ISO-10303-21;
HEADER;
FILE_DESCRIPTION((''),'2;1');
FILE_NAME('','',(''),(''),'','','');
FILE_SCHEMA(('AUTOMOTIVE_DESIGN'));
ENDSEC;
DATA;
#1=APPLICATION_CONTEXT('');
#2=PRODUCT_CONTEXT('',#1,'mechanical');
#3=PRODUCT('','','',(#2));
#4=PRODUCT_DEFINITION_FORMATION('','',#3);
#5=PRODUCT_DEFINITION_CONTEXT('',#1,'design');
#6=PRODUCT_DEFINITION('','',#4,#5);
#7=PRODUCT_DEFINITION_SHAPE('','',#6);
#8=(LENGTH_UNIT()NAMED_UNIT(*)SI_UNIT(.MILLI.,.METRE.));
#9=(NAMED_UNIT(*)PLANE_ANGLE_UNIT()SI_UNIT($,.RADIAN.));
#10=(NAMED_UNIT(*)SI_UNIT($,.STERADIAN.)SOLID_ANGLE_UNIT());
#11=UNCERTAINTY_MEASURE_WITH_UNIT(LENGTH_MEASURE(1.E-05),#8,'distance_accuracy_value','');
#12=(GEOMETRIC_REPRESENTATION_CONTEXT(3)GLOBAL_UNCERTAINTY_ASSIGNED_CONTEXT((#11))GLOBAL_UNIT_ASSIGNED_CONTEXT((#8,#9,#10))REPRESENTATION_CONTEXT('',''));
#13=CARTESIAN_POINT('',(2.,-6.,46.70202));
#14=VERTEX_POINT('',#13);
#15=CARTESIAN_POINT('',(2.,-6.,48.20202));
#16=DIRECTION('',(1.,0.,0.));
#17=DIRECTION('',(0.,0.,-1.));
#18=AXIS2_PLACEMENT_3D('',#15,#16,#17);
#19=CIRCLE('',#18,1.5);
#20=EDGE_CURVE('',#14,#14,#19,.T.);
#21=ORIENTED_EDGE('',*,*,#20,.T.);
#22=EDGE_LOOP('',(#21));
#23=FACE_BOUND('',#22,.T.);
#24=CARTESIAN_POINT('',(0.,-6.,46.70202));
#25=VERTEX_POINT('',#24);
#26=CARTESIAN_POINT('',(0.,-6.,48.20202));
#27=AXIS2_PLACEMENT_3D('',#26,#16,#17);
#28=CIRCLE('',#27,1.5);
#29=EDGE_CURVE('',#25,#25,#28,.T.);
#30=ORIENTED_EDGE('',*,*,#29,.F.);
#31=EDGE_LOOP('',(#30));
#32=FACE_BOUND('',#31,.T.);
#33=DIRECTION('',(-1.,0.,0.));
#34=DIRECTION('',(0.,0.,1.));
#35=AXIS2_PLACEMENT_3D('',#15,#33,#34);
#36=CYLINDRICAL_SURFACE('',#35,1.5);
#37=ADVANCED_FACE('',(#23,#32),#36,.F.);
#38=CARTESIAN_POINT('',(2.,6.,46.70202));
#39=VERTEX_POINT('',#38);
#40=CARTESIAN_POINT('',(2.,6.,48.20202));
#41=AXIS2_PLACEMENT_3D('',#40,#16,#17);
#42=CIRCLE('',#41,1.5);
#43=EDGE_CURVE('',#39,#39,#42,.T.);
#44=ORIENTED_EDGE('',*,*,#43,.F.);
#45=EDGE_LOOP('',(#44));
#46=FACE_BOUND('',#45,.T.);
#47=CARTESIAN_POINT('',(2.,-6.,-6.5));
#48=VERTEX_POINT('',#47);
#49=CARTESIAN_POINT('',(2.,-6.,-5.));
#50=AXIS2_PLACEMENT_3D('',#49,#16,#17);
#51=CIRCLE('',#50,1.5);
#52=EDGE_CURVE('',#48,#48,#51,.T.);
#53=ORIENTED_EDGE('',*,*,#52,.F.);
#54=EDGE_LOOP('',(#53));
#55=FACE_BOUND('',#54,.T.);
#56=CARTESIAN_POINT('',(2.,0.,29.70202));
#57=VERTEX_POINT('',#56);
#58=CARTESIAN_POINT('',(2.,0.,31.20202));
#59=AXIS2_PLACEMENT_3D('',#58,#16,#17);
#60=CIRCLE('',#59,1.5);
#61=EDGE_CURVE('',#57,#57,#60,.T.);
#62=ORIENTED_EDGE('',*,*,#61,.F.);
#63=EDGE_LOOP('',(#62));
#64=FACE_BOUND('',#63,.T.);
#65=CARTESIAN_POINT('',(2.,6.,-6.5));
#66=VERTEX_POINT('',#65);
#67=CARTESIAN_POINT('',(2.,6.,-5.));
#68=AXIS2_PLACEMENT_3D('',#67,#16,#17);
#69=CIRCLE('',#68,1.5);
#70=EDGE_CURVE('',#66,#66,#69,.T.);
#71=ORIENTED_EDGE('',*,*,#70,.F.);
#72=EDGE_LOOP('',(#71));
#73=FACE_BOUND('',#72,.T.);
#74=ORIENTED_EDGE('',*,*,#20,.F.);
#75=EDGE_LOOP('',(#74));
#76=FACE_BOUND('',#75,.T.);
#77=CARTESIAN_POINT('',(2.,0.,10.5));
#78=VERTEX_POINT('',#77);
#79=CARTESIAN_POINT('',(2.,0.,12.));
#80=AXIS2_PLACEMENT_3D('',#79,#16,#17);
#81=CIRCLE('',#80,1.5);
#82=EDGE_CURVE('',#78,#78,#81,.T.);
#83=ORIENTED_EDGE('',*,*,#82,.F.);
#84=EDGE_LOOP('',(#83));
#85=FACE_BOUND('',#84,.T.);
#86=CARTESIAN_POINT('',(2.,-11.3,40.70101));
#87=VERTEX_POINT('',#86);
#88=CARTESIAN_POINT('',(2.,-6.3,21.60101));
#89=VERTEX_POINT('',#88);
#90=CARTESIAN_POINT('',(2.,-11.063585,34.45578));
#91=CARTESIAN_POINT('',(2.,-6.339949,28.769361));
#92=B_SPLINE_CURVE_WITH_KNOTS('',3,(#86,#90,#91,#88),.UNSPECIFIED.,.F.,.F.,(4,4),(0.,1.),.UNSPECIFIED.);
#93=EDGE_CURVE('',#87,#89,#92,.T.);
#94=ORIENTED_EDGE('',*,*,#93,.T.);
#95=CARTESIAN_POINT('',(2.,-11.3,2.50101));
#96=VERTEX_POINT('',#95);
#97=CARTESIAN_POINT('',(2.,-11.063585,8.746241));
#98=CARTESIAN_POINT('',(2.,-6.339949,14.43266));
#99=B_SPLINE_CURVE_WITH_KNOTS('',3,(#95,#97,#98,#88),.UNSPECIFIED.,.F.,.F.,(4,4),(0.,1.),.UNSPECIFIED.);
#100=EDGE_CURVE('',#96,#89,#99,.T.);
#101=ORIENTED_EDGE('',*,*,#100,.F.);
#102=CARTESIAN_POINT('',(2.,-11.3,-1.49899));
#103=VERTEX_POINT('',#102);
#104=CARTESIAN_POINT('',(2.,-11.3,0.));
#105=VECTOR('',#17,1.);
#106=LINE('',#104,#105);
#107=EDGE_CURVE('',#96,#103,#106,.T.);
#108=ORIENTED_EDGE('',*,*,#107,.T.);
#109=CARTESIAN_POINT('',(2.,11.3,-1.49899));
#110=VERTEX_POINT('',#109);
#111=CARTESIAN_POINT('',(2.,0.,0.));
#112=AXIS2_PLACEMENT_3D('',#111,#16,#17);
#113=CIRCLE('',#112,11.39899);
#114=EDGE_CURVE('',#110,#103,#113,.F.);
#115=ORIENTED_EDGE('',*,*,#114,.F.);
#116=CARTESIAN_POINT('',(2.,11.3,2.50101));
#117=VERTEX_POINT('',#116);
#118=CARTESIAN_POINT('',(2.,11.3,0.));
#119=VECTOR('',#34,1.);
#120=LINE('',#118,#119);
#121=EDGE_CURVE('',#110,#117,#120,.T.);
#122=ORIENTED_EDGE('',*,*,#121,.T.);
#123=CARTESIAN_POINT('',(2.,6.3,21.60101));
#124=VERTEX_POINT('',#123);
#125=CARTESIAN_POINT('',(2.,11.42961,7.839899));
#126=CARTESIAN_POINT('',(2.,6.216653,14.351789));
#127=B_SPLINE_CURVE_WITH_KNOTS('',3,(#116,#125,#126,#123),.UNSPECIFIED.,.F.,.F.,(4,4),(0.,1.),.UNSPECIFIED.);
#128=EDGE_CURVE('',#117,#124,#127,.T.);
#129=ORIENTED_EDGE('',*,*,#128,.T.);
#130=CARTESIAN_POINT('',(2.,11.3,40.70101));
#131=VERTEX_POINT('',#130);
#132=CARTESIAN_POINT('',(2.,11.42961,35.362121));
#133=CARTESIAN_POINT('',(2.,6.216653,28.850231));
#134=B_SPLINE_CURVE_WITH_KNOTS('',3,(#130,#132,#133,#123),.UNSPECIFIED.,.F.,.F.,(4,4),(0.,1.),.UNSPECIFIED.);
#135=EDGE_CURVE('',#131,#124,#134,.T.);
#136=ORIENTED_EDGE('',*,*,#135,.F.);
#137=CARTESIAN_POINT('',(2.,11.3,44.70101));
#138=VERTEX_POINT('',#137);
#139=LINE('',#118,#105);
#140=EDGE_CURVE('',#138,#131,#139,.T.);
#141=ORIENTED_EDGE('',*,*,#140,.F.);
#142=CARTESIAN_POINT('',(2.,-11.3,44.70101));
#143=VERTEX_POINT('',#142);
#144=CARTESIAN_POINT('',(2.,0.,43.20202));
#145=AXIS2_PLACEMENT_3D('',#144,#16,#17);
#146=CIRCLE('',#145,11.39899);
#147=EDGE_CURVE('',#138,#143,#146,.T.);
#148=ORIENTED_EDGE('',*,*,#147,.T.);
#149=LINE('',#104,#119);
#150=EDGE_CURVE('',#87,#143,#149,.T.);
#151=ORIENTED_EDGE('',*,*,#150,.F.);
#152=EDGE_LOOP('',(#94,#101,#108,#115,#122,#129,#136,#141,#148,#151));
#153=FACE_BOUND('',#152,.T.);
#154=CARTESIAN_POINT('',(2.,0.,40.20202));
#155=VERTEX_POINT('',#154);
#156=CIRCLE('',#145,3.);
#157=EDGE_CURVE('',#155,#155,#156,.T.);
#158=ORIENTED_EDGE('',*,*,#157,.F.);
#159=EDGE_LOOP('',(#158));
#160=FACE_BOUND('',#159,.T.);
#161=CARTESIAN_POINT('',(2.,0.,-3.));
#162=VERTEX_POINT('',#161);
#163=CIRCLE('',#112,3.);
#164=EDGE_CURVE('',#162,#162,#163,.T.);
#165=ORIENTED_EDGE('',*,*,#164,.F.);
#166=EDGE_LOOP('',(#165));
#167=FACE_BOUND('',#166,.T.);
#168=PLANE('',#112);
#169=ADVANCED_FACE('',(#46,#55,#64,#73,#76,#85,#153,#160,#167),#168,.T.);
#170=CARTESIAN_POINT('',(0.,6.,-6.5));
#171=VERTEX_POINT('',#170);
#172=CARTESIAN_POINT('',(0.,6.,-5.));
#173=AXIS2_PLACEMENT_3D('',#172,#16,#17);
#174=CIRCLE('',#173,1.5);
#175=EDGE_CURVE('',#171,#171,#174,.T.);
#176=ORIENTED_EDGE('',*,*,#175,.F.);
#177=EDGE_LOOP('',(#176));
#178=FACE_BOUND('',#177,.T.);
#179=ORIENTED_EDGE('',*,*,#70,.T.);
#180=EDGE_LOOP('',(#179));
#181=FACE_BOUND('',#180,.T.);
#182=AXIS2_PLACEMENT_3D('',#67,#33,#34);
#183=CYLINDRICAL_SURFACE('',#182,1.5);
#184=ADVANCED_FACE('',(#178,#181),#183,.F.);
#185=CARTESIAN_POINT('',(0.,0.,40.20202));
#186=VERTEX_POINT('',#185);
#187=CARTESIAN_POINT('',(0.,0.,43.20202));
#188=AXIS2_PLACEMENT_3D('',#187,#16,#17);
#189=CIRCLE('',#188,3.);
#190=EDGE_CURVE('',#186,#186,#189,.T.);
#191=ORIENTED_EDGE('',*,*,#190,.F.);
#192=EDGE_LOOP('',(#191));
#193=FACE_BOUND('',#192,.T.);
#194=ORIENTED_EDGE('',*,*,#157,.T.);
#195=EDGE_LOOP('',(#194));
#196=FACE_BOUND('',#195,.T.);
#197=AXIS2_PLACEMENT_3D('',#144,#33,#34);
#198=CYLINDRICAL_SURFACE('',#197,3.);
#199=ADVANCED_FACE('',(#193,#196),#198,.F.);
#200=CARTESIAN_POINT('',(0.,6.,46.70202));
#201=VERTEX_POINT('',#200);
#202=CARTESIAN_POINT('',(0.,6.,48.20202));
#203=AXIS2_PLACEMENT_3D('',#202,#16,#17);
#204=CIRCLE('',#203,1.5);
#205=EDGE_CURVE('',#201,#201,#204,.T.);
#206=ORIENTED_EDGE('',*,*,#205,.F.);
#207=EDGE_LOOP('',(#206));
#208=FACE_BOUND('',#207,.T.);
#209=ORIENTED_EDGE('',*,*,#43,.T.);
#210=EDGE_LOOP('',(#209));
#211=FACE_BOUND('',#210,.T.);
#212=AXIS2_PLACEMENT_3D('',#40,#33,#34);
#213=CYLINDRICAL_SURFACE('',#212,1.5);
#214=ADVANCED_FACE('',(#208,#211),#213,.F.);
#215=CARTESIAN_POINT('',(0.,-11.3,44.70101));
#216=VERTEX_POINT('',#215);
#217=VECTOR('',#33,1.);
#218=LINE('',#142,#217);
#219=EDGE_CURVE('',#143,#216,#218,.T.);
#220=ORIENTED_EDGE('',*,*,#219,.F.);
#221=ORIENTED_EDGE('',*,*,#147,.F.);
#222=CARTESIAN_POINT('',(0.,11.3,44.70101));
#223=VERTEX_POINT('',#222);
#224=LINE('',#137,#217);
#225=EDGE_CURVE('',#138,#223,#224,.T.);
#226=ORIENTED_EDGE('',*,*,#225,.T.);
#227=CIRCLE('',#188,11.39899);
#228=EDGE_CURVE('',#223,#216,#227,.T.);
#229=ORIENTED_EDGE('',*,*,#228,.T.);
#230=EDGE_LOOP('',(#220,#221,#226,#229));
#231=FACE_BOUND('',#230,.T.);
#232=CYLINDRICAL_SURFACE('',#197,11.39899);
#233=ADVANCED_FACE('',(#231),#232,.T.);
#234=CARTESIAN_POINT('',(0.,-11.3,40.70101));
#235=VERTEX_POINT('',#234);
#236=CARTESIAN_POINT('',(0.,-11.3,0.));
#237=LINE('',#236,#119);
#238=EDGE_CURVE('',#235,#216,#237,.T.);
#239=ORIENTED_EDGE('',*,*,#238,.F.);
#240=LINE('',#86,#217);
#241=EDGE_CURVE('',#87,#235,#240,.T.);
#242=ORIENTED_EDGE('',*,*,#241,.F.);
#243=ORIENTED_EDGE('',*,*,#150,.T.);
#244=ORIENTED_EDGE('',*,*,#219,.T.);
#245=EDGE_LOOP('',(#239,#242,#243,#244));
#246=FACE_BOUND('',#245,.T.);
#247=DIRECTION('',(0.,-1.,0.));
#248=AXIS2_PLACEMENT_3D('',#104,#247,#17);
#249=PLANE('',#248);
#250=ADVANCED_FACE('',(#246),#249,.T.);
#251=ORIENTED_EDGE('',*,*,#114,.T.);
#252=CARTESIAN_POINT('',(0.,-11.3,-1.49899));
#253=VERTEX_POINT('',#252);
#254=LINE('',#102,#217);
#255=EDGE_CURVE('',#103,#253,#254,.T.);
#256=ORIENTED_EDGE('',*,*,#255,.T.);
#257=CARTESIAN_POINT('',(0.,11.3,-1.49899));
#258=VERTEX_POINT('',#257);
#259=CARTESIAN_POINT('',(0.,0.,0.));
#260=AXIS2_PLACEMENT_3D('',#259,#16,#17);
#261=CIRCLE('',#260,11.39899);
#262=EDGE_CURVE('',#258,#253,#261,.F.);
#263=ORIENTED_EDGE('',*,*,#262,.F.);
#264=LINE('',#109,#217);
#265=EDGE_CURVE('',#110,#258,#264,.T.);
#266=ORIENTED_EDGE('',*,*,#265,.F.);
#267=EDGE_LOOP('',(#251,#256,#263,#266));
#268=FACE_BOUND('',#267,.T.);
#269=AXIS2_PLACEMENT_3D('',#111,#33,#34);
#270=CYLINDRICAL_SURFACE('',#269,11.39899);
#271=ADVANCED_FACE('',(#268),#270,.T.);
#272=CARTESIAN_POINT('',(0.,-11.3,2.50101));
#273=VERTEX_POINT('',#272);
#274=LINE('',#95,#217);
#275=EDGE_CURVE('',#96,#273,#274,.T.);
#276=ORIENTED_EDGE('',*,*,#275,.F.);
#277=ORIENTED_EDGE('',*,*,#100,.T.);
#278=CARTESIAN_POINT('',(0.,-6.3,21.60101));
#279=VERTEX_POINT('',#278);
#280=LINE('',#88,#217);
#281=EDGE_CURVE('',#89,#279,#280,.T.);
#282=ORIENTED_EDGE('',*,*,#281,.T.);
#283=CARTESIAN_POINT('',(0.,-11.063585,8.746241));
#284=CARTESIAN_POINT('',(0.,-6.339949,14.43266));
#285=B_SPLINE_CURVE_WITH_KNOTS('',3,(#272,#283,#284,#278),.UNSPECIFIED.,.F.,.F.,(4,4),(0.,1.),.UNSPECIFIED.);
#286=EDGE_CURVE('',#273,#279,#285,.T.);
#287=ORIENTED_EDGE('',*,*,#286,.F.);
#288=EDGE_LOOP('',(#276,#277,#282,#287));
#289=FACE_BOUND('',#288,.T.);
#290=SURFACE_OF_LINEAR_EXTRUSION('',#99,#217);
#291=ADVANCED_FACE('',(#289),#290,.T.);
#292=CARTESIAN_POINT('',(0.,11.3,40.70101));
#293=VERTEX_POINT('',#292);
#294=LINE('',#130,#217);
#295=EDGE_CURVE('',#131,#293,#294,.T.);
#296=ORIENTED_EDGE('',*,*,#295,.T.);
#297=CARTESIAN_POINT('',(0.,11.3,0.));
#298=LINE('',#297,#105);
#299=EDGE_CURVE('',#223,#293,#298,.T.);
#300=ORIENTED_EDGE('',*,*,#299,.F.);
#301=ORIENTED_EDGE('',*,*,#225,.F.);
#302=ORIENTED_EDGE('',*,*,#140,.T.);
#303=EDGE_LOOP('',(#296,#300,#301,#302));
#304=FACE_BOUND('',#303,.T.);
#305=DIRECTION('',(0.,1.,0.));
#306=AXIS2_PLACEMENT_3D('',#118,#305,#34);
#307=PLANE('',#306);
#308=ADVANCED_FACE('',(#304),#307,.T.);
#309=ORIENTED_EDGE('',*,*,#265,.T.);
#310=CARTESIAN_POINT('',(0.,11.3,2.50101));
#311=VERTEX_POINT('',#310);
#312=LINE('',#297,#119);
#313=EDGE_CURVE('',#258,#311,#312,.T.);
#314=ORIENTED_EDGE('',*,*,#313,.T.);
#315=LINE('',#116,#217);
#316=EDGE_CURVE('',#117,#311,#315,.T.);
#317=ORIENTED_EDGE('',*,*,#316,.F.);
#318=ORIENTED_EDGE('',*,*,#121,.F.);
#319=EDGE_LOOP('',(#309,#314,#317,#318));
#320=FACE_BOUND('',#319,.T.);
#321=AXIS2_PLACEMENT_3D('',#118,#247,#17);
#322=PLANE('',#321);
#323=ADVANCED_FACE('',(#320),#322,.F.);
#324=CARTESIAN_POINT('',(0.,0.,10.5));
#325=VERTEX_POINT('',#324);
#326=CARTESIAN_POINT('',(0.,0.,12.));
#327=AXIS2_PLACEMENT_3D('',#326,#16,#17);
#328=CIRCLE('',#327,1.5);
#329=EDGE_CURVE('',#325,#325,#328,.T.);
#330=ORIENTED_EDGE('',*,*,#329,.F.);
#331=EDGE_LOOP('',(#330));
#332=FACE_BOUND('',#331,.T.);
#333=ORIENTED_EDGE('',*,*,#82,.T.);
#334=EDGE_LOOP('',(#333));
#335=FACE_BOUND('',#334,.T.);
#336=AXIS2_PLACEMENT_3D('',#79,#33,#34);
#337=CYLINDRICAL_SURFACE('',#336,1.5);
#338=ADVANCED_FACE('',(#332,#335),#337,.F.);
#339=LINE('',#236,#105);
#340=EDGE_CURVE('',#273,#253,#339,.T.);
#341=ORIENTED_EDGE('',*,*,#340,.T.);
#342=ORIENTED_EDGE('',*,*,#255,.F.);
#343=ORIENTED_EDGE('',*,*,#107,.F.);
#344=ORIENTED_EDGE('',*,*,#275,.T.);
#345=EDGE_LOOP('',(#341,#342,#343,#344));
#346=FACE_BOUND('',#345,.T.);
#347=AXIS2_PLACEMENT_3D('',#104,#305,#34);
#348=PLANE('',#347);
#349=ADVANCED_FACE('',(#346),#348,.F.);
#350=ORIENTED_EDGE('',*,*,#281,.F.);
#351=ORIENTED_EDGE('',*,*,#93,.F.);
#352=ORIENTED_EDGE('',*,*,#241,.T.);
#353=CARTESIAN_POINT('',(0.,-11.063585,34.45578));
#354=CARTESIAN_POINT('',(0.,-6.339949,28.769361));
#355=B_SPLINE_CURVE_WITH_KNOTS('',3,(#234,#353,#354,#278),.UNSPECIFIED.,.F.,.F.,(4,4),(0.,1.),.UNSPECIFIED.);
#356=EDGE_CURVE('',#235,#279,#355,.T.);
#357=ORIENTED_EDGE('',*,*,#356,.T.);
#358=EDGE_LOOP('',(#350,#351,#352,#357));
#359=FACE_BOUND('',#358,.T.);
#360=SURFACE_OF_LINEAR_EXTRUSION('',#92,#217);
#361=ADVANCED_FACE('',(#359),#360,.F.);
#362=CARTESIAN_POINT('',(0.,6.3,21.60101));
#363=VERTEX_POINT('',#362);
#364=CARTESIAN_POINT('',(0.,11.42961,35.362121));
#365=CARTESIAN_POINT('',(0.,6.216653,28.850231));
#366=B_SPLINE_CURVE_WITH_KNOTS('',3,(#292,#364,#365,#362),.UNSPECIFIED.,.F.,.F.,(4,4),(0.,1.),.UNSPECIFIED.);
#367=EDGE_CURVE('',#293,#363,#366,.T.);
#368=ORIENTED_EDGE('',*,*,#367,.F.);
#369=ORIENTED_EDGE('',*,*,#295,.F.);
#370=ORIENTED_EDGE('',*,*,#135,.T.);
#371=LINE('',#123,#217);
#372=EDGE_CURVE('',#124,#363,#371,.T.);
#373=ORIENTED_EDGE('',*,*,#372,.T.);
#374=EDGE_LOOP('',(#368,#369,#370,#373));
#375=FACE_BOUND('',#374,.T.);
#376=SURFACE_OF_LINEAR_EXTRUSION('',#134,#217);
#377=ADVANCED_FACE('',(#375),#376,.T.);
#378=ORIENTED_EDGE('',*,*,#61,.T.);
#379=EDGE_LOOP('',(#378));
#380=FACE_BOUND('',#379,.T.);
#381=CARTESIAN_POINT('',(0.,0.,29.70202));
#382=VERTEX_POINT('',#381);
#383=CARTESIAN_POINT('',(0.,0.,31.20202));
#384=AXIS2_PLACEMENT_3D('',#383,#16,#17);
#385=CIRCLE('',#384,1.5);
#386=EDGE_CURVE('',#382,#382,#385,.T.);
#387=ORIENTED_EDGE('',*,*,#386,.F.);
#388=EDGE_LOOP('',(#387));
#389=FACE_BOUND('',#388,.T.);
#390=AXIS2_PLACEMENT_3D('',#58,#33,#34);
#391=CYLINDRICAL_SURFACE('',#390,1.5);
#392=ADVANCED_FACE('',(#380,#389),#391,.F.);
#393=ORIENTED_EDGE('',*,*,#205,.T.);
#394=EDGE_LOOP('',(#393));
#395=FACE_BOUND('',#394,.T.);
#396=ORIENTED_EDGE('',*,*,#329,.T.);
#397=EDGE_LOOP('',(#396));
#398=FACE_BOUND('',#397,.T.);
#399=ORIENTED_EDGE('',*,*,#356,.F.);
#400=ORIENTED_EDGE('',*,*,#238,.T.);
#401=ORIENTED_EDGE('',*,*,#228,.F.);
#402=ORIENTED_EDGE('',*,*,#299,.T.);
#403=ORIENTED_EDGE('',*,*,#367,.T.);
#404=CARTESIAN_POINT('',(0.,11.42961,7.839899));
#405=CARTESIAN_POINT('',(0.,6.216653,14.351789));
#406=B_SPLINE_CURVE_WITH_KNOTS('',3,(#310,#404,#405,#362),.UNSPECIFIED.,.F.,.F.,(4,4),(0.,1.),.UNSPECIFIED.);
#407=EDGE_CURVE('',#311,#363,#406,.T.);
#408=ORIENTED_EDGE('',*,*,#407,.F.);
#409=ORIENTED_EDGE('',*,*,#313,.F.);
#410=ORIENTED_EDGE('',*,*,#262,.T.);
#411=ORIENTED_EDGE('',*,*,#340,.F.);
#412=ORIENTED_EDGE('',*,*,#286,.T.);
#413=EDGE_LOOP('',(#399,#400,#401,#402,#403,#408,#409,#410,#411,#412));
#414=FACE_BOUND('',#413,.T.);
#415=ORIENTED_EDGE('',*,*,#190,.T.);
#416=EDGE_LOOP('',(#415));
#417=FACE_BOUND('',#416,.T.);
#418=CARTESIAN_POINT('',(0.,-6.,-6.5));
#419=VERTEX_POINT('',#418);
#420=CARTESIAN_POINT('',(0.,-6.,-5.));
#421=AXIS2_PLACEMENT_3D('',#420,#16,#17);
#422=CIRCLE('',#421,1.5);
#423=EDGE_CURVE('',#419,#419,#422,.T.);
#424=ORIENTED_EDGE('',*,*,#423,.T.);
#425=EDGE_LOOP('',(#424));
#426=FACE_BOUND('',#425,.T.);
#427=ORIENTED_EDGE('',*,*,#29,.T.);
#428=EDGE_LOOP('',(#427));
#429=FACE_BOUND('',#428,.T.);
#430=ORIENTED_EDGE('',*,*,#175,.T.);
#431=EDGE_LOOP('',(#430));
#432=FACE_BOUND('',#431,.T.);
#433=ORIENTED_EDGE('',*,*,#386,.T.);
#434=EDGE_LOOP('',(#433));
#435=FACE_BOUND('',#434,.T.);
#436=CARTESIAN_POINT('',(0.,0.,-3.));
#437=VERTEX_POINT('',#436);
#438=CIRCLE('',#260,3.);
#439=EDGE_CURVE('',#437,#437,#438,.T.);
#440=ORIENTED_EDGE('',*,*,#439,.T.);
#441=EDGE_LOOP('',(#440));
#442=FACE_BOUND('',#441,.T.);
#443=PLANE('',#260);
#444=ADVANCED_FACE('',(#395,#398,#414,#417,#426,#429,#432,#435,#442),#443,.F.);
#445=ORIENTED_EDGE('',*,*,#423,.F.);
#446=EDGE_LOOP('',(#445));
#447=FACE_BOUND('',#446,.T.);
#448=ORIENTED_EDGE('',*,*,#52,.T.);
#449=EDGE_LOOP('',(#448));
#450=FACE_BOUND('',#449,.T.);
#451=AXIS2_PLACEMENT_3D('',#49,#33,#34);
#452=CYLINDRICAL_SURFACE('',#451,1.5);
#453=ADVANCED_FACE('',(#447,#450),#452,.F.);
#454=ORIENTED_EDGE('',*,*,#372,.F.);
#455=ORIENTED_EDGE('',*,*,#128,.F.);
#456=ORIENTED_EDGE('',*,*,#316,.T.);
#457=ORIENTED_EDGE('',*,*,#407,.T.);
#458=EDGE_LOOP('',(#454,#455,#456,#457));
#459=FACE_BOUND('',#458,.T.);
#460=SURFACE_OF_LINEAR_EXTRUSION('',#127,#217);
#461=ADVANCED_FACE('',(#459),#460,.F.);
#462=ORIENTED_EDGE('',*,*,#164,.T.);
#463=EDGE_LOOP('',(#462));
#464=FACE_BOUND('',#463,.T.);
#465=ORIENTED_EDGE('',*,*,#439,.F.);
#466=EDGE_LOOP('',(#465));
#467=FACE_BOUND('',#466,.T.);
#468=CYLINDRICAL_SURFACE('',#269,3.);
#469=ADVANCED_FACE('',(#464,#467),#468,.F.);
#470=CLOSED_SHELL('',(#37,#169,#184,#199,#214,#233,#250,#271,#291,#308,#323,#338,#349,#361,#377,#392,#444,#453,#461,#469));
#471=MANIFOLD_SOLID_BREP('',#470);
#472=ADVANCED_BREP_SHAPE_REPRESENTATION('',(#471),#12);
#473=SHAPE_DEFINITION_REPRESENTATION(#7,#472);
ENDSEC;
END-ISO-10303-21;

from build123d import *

# Parameters (mm, degrees)
SCHIZZO1_R                   = 1.5
SCHIZZO1_R_2                 = 3
ESTRUSIONE_ESTRUSIONE1_DEPTH = 2


with BuildPart() as part:
    # Schizzo1 → Estrusione-Estrusione1 (new body)
    with BuildSketch(Plane(origin=(0, 0, 0), x_dir=(0, 0, -1), z_dir=(1, 0, 0))):
        with BuildLine():
            Line((-2.501010101, -11.3), (1.498989899, -11.3))
            ThreePointArc((1.498989899, -11.3), (11.398989899, 0), (1.498989899, 11.3))
            Line((1.498989899, 11.3), (-2.501010101, 11.3))
            add(Edge.make_bspline(
                [(-2.501010101, 11.3), (-7.839898951, 11.429610053), (-14.35178918, 6.216652626), (-21.601010101, 6.3)],
                knots=[0, 0, 0, 0, 1, 1, 1, 1], degree=3))
            add(Edge.make_bspline(
                [(-40.701010101, 11.3), (-35.362121251, 11.429610053), (-28.850231022, 6.216652626), (-21.601010101, 6.3)],
                knots=[0, 0, 0, 0, 1, 1, 1, 1], degree=3))
            Line((-40.701010101, 11.3), (-44.701010101, 11.3))
            ThreePointArc((-44.701010101, 11.3), (-54.601010101, 0), (-44.701010101, -11.3))
            Line((-44.701010101, -11.3), (-40.701010101, -11.3))
            add(Edge.make_bspline(
                [(-40.701010101, -11.3), (-34.455779635, -11.063584615), (-28.769360616, -6.33994929), (-21.601010101, -6.3)],
                knots=[0, 0, 0, 0, 1, 1, 1, 1], degree=3))
            add(Edge.make_bspline(
                [(-2.501010101, -11.3), (-8.746240567, -11.063584615), (-14.432659586, -6.33994929), (-21.601010101, -6.3)],
                knots=[0, 0, 0, 0, 1, 1, 1, 1], degree=3))
        make_face()
        with Locations((-48.202020202, 6)):
            Circle(SCHIZZO1_R, mode=Mode.SUBTRACT)
        with Locations((-48.202020202, -6)):
            Circle(SCHIZZO1_R, mode=Mode.SUBTRACT)
        with Locations((-31.202020202, 0)):
            Circle(SCHIZZO1_R, mode=Mode.SUBTRACT)
        with Locations((-12, 0)):
            Circle(SCHIZZO1_R, mode=Mode.SUBTRACT)
        with Locations((5, 6)):
            Circle(SCHIZZO1_R, mode=Mode.SUBTRACT)
        with Locations((5, -6)):
            Circle(SCHIZZO1_R, mode=Mode.SUBTRACT)
        with Locations((-43.202020202, 0)):
            Circle(SCHIZZO1_R_2, mode=Mode.SUBTRACT)
        Circle(SCHIZZO1_R_2, mode=Mode.SUBTRACT)
    extrude(amount=ESTRUSIONE_ESTRUSIONE1_DEPTH)


solid = part.part
